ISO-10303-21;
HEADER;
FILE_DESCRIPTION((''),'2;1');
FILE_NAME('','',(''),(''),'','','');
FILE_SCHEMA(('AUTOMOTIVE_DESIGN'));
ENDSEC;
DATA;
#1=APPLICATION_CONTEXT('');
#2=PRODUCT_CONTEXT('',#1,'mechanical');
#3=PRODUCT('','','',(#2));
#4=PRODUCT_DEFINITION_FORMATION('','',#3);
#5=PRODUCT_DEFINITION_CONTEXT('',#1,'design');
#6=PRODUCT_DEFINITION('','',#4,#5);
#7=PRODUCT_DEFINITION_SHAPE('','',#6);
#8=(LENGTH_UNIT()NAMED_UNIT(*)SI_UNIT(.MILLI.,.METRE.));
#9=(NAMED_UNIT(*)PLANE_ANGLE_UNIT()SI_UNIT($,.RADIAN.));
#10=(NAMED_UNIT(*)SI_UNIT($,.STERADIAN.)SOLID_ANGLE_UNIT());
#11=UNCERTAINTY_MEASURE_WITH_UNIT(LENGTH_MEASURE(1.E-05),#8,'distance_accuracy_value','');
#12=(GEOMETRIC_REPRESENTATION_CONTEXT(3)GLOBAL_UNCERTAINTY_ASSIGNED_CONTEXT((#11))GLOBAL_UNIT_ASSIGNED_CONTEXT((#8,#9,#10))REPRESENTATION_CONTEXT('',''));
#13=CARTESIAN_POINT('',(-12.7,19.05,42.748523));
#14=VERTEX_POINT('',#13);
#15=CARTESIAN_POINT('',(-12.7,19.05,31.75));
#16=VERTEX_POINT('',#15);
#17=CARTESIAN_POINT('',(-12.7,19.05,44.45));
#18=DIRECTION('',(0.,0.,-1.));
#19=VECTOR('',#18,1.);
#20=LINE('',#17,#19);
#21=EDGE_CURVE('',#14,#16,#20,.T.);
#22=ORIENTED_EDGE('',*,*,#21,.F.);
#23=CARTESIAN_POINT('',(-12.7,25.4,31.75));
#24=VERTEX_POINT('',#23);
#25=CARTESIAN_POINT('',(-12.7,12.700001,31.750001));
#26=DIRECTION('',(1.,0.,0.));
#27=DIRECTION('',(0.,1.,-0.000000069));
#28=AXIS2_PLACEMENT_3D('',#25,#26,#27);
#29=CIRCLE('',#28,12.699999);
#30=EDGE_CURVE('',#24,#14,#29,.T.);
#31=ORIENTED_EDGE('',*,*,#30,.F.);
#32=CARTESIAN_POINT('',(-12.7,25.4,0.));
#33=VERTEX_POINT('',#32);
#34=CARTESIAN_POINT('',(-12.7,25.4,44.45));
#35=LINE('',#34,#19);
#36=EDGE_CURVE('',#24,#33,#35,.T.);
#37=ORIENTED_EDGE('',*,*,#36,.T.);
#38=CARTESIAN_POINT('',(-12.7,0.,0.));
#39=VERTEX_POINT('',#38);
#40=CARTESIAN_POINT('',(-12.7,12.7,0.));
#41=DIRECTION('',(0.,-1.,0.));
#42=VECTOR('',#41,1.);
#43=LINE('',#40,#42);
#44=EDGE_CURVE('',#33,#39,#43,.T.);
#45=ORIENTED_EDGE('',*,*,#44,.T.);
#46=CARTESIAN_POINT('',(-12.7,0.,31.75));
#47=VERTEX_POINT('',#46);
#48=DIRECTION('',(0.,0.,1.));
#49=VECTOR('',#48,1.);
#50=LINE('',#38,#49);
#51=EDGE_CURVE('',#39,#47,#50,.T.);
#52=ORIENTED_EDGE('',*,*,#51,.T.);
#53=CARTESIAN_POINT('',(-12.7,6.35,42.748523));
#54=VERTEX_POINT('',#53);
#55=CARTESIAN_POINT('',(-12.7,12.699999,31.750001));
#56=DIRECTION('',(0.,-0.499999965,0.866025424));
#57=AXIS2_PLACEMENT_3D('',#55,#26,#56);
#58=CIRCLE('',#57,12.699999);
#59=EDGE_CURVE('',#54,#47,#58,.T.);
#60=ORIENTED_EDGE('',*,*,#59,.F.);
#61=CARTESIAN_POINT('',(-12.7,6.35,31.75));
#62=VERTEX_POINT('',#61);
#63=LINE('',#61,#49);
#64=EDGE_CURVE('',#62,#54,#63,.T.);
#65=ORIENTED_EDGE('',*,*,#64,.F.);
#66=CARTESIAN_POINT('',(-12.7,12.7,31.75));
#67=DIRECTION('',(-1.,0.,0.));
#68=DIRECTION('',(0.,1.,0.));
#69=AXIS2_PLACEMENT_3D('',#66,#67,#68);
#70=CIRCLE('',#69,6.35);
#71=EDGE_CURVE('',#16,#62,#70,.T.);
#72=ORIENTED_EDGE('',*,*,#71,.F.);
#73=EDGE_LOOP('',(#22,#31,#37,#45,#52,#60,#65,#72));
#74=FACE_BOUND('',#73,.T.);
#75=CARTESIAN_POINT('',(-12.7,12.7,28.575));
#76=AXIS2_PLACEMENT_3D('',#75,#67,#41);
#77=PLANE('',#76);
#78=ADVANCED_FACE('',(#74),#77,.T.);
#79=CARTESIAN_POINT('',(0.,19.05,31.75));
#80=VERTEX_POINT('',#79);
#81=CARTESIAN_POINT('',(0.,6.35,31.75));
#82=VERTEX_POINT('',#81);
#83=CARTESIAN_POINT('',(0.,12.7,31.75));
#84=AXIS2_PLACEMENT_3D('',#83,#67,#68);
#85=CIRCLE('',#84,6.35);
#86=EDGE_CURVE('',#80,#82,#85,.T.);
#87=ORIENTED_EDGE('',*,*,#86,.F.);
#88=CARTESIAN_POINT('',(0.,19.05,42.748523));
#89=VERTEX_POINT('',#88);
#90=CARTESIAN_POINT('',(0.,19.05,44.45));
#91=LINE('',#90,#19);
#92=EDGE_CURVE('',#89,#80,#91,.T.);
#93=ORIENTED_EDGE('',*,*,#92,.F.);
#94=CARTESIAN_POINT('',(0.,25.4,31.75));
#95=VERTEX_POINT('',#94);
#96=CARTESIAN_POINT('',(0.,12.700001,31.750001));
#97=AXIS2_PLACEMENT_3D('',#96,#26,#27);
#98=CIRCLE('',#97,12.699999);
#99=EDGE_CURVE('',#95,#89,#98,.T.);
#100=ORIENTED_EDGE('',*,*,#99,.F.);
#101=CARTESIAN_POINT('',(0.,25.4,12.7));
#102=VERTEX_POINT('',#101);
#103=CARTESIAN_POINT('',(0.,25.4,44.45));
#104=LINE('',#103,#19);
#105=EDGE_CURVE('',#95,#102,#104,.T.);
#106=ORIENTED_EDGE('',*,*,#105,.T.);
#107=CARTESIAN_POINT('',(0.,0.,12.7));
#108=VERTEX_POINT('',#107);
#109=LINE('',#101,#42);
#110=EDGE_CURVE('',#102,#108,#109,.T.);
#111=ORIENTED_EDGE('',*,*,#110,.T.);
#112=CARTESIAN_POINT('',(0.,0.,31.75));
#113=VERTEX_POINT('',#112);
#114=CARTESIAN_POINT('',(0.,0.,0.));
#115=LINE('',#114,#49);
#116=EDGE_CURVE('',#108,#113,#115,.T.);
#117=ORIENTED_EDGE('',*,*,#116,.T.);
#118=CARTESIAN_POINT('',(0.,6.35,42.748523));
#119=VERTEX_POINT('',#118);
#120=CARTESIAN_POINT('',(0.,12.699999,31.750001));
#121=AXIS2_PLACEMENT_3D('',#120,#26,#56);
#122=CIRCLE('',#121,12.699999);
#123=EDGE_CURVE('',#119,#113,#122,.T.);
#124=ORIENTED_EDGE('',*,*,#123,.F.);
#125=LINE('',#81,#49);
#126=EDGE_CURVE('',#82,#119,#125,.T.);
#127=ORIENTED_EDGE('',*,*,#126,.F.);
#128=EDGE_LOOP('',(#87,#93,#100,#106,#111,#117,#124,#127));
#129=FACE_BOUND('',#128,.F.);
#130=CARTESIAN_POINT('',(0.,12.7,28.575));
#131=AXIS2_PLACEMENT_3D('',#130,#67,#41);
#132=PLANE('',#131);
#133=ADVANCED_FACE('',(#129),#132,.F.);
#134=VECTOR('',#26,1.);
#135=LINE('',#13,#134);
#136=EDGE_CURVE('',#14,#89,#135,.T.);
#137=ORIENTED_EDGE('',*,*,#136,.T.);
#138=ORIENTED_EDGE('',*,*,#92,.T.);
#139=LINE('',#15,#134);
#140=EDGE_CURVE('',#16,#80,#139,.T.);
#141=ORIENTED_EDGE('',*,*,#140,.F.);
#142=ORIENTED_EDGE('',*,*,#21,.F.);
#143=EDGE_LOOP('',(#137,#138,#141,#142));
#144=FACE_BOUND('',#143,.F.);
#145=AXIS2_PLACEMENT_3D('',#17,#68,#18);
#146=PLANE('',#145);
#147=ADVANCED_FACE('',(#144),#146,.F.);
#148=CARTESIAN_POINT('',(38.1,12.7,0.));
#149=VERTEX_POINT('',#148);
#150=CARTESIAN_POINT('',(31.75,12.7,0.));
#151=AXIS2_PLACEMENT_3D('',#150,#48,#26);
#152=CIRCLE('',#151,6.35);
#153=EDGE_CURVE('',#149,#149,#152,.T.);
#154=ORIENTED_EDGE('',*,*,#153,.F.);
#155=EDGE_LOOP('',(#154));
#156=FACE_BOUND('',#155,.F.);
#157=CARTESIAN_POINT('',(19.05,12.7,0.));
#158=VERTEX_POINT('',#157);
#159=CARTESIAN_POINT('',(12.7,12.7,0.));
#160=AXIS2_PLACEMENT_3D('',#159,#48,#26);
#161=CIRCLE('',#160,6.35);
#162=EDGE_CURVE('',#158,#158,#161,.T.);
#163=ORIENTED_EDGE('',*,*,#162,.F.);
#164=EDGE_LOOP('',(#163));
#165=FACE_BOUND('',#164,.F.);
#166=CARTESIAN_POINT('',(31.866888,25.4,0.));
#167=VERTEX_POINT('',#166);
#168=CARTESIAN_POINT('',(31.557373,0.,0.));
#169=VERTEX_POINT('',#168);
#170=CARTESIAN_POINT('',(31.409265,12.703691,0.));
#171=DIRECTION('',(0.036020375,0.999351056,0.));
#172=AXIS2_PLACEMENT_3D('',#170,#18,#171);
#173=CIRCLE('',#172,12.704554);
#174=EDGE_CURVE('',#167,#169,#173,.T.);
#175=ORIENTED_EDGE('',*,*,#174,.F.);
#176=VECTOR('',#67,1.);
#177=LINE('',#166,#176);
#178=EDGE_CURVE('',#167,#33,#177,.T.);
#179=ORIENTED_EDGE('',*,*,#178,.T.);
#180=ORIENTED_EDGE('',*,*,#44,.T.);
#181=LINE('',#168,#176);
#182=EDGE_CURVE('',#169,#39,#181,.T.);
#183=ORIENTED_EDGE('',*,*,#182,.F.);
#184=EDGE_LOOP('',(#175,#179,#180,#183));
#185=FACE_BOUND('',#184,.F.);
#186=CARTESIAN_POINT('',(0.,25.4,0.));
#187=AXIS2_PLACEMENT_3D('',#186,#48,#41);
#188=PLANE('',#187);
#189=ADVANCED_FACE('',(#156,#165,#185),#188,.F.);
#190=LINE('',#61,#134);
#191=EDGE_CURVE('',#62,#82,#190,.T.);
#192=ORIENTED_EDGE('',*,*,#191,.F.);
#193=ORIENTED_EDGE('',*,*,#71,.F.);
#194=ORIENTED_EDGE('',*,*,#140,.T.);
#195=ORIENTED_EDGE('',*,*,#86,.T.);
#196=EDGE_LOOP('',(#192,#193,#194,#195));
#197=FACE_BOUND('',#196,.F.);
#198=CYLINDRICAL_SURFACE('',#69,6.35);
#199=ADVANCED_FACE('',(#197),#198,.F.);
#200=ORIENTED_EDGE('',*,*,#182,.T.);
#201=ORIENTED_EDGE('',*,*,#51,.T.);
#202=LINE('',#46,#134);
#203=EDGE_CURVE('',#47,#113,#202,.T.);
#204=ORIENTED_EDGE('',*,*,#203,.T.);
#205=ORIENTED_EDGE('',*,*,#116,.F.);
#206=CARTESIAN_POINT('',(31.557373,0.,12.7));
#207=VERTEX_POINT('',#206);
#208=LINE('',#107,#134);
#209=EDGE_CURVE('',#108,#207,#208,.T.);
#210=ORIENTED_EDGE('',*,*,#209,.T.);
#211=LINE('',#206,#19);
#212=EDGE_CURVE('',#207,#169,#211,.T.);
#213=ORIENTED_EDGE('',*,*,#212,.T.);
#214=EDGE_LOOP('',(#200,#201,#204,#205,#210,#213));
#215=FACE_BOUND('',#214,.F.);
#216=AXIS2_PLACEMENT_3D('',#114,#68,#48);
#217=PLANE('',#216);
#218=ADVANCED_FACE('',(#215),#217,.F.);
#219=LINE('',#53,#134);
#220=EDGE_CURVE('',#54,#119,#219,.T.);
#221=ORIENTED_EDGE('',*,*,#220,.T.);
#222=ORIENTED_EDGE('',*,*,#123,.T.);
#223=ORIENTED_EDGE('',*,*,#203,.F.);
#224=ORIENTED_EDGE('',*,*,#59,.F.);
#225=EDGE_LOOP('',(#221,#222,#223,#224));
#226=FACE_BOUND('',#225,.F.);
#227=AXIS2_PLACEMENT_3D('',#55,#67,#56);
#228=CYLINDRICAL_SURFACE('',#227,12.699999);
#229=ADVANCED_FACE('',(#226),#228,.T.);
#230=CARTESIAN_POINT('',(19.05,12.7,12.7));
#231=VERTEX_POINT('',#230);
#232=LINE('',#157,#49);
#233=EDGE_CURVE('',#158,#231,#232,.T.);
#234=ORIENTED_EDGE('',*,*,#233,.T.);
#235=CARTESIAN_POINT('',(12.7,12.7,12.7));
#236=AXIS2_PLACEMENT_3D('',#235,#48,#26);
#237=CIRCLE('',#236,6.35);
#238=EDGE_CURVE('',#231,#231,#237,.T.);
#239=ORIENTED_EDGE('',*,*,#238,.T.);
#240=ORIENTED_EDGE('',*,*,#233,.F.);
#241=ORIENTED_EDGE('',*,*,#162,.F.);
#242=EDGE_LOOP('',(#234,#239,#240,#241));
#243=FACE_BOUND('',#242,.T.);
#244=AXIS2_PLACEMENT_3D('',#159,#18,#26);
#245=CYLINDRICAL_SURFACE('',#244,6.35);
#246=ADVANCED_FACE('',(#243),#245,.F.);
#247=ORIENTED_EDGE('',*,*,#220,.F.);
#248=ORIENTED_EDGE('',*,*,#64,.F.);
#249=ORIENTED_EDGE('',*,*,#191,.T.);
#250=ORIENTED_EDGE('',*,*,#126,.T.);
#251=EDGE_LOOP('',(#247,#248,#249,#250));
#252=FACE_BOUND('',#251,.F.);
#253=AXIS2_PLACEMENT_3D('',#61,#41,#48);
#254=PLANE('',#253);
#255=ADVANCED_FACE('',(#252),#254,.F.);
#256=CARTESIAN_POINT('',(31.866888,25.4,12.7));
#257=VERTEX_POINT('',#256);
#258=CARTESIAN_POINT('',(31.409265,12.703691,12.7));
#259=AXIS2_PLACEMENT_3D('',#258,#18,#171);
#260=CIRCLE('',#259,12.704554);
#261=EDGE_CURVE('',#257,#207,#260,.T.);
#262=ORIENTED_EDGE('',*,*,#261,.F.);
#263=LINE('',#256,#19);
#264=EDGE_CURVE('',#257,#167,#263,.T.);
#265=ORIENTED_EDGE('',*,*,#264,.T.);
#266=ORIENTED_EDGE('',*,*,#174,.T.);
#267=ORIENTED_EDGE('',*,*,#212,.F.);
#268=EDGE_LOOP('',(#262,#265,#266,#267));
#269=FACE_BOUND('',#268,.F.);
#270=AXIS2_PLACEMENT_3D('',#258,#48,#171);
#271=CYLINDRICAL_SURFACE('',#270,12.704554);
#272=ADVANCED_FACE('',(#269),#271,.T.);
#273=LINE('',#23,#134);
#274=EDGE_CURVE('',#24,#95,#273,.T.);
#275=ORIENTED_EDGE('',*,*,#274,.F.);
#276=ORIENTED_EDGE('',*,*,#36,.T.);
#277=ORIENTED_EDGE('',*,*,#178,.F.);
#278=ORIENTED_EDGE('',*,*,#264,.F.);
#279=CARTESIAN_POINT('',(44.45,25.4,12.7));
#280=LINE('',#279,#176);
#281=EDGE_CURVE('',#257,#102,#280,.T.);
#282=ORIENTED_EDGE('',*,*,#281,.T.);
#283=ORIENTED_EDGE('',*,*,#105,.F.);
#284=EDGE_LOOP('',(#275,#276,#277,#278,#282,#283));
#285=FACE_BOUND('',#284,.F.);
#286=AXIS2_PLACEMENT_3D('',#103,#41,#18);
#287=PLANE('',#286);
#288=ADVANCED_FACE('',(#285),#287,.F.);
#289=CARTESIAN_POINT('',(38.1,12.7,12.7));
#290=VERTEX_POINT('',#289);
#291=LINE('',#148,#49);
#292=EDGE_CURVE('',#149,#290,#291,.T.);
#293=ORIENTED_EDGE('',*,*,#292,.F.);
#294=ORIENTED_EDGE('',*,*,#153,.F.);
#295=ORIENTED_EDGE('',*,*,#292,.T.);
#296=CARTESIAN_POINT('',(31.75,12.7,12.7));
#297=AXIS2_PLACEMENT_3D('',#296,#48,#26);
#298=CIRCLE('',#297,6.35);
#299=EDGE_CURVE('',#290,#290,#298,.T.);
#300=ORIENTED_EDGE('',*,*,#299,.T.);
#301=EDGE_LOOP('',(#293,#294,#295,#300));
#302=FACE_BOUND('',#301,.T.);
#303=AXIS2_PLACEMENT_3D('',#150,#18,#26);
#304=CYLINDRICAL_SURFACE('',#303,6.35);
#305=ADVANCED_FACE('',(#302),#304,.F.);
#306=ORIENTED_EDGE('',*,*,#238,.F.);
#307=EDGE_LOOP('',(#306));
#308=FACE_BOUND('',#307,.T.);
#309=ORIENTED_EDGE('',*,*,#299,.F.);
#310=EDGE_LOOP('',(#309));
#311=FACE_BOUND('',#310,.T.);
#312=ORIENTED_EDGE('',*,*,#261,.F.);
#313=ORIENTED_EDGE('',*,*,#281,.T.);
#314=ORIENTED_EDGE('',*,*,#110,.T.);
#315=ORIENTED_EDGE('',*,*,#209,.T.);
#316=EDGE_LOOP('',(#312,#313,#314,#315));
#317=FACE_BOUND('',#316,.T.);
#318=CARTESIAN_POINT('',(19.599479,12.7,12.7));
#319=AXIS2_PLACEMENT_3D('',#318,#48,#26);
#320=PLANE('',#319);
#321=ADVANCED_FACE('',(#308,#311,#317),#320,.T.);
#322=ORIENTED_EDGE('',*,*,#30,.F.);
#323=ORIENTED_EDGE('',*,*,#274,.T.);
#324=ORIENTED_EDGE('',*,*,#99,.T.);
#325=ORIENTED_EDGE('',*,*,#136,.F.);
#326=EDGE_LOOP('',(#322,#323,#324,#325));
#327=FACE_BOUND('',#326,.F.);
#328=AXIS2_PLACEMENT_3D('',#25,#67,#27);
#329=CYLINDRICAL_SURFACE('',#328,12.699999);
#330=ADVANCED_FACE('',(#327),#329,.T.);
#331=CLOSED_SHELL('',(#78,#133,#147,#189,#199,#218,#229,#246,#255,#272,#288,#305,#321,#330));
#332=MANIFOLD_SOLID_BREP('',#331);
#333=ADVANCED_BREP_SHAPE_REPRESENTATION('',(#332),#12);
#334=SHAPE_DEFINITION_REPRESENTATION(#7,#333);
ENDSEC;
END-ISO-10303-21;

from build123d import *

# Parameters (mm, degrees)
F0_R     = 6.35
F1_DEPTH = 12.7
F3_DEPTH = 12.7
F4_W     = 25.4
F4_H     = 31.75
F4_H_2   = 12.7
F5_DEPTH = 12.7
F7_DEPTH = 12.7
F9_DEPTH = 12.7


with BuildPart() as f1:
    # F0 (on Top) → F1 (new body)
    with BuildSketch(Plane.XY):
        with BuildLine():
            Line((31.75, 25.4), (0, 25.4))
            Line((0, 25.4), (0, 0))
            Line((0, 0), (31.75, 0))
            ThreePointArc((31.75, 0), (44.304303, 12.7), (31.75, 25.4))
        make_face()
        with Locations((12.7, 12.7)):
            Circle(F0_R, mode=Mode.SUBTRACT)
        with Locations((31.75, 12.7)):
            Circle(F0_R, mode=Mode.SUBTRACT)
        with BuildLine():
            Line((44.45, 25.4), (31.75, 25.4))
            ThreePointArc((31.75, 25.4), (44.304303, 12.7), (31.75, 0))
            Line((31.75, 0), (44.45, 0))
            Line((44.45, 0), (44.45, 25.4))
        make_face()
    extrude(amount=F1_DEPTH)

    # F2 (on face) → F3 (cut)
    with BuildSketch(Plane.XY.offset(12.7)):
        with BuildLine():
            ThreePointArc((31.866888, 25.4), (44.112876, 12.548889), (31.557373, 0))
            Line((31.557373, 0), (44.45, 0))
            Line((44.45, 0), (44.45, 25.4))
            Line((44.45, 25.4), (31.866888, 25.4))
        make_face()
    extrude(amount=-F3_DEPTH, mode=Mode.SUBTRACT)

    # F4 (on face) → F5 (join)
    with BuildSketch(Plane(origin=(0, 0, 0), x_dir=(0, -1, 0), z_dir=(-1, 0, 0))):
        with Locations((-12.7, 28.575)):
            Rectangle(F4_W, F4_H)
        with Locations((-12.7, 6.35)):
            Rectangle(F4_W, F4_H_2)
    extrude(amount=F5_DEPTH)

    # F6 (on face) → F7 (cut)
    with BuildSketch(Plane(origin=(-12.7, 0, 0), x_dir=(0, -1, 0), z_dir=(-1, 0, 0))):
        with BuildLine():
            Line((-6.35, 44.45), (-19.05, 44.45))
            Line((-19.05, 44.45), (-19.05, 31.75))
            ThreePointArc((-19.05, 31.75), (-12.7, 25.4), (-6.35, 31.75))
            Line((-6.35, 31.75), (-6.35, 44.45))
        make_face()
    extrude(amount=-F7_DEPTH, mode=Mode.SUBTRACT)

    # F8 (on face) → F9 (cut)
    with BuildSketch(Plane(origin=(-12.7, 0, 0), x_dir=(0, -1, 0), z_dir=(-1, 0, 0))):
        with BuildLine():
            ThreePointArc((-25.4, 31.75), (-23.698523, 38.1), (-19.05, 42.748523))
            Line((-19.05, 42.748523), (-19.05, 44.45))
            Line((-19.05, 44.45), (-25.4, 44.45))
            Line((-25.4, 44.45), (-25.4, 31.75))
        make_face()
        with BuildLine():
            ThreePointArc((-6.35, 42.748523), (-1.701477, 38.1), (0, 31.75))
            Line((0, 31.75), (0, 44.45))
            Line((0, 44.45), (-6.35, 44.45))
            Line((-6.35, 44.45), (-6.35, 42.748523))
        make_face()
    extrude(amount=-F9_DEPTH, mode=Mode.SUBTRACT)


solid = f1.part
